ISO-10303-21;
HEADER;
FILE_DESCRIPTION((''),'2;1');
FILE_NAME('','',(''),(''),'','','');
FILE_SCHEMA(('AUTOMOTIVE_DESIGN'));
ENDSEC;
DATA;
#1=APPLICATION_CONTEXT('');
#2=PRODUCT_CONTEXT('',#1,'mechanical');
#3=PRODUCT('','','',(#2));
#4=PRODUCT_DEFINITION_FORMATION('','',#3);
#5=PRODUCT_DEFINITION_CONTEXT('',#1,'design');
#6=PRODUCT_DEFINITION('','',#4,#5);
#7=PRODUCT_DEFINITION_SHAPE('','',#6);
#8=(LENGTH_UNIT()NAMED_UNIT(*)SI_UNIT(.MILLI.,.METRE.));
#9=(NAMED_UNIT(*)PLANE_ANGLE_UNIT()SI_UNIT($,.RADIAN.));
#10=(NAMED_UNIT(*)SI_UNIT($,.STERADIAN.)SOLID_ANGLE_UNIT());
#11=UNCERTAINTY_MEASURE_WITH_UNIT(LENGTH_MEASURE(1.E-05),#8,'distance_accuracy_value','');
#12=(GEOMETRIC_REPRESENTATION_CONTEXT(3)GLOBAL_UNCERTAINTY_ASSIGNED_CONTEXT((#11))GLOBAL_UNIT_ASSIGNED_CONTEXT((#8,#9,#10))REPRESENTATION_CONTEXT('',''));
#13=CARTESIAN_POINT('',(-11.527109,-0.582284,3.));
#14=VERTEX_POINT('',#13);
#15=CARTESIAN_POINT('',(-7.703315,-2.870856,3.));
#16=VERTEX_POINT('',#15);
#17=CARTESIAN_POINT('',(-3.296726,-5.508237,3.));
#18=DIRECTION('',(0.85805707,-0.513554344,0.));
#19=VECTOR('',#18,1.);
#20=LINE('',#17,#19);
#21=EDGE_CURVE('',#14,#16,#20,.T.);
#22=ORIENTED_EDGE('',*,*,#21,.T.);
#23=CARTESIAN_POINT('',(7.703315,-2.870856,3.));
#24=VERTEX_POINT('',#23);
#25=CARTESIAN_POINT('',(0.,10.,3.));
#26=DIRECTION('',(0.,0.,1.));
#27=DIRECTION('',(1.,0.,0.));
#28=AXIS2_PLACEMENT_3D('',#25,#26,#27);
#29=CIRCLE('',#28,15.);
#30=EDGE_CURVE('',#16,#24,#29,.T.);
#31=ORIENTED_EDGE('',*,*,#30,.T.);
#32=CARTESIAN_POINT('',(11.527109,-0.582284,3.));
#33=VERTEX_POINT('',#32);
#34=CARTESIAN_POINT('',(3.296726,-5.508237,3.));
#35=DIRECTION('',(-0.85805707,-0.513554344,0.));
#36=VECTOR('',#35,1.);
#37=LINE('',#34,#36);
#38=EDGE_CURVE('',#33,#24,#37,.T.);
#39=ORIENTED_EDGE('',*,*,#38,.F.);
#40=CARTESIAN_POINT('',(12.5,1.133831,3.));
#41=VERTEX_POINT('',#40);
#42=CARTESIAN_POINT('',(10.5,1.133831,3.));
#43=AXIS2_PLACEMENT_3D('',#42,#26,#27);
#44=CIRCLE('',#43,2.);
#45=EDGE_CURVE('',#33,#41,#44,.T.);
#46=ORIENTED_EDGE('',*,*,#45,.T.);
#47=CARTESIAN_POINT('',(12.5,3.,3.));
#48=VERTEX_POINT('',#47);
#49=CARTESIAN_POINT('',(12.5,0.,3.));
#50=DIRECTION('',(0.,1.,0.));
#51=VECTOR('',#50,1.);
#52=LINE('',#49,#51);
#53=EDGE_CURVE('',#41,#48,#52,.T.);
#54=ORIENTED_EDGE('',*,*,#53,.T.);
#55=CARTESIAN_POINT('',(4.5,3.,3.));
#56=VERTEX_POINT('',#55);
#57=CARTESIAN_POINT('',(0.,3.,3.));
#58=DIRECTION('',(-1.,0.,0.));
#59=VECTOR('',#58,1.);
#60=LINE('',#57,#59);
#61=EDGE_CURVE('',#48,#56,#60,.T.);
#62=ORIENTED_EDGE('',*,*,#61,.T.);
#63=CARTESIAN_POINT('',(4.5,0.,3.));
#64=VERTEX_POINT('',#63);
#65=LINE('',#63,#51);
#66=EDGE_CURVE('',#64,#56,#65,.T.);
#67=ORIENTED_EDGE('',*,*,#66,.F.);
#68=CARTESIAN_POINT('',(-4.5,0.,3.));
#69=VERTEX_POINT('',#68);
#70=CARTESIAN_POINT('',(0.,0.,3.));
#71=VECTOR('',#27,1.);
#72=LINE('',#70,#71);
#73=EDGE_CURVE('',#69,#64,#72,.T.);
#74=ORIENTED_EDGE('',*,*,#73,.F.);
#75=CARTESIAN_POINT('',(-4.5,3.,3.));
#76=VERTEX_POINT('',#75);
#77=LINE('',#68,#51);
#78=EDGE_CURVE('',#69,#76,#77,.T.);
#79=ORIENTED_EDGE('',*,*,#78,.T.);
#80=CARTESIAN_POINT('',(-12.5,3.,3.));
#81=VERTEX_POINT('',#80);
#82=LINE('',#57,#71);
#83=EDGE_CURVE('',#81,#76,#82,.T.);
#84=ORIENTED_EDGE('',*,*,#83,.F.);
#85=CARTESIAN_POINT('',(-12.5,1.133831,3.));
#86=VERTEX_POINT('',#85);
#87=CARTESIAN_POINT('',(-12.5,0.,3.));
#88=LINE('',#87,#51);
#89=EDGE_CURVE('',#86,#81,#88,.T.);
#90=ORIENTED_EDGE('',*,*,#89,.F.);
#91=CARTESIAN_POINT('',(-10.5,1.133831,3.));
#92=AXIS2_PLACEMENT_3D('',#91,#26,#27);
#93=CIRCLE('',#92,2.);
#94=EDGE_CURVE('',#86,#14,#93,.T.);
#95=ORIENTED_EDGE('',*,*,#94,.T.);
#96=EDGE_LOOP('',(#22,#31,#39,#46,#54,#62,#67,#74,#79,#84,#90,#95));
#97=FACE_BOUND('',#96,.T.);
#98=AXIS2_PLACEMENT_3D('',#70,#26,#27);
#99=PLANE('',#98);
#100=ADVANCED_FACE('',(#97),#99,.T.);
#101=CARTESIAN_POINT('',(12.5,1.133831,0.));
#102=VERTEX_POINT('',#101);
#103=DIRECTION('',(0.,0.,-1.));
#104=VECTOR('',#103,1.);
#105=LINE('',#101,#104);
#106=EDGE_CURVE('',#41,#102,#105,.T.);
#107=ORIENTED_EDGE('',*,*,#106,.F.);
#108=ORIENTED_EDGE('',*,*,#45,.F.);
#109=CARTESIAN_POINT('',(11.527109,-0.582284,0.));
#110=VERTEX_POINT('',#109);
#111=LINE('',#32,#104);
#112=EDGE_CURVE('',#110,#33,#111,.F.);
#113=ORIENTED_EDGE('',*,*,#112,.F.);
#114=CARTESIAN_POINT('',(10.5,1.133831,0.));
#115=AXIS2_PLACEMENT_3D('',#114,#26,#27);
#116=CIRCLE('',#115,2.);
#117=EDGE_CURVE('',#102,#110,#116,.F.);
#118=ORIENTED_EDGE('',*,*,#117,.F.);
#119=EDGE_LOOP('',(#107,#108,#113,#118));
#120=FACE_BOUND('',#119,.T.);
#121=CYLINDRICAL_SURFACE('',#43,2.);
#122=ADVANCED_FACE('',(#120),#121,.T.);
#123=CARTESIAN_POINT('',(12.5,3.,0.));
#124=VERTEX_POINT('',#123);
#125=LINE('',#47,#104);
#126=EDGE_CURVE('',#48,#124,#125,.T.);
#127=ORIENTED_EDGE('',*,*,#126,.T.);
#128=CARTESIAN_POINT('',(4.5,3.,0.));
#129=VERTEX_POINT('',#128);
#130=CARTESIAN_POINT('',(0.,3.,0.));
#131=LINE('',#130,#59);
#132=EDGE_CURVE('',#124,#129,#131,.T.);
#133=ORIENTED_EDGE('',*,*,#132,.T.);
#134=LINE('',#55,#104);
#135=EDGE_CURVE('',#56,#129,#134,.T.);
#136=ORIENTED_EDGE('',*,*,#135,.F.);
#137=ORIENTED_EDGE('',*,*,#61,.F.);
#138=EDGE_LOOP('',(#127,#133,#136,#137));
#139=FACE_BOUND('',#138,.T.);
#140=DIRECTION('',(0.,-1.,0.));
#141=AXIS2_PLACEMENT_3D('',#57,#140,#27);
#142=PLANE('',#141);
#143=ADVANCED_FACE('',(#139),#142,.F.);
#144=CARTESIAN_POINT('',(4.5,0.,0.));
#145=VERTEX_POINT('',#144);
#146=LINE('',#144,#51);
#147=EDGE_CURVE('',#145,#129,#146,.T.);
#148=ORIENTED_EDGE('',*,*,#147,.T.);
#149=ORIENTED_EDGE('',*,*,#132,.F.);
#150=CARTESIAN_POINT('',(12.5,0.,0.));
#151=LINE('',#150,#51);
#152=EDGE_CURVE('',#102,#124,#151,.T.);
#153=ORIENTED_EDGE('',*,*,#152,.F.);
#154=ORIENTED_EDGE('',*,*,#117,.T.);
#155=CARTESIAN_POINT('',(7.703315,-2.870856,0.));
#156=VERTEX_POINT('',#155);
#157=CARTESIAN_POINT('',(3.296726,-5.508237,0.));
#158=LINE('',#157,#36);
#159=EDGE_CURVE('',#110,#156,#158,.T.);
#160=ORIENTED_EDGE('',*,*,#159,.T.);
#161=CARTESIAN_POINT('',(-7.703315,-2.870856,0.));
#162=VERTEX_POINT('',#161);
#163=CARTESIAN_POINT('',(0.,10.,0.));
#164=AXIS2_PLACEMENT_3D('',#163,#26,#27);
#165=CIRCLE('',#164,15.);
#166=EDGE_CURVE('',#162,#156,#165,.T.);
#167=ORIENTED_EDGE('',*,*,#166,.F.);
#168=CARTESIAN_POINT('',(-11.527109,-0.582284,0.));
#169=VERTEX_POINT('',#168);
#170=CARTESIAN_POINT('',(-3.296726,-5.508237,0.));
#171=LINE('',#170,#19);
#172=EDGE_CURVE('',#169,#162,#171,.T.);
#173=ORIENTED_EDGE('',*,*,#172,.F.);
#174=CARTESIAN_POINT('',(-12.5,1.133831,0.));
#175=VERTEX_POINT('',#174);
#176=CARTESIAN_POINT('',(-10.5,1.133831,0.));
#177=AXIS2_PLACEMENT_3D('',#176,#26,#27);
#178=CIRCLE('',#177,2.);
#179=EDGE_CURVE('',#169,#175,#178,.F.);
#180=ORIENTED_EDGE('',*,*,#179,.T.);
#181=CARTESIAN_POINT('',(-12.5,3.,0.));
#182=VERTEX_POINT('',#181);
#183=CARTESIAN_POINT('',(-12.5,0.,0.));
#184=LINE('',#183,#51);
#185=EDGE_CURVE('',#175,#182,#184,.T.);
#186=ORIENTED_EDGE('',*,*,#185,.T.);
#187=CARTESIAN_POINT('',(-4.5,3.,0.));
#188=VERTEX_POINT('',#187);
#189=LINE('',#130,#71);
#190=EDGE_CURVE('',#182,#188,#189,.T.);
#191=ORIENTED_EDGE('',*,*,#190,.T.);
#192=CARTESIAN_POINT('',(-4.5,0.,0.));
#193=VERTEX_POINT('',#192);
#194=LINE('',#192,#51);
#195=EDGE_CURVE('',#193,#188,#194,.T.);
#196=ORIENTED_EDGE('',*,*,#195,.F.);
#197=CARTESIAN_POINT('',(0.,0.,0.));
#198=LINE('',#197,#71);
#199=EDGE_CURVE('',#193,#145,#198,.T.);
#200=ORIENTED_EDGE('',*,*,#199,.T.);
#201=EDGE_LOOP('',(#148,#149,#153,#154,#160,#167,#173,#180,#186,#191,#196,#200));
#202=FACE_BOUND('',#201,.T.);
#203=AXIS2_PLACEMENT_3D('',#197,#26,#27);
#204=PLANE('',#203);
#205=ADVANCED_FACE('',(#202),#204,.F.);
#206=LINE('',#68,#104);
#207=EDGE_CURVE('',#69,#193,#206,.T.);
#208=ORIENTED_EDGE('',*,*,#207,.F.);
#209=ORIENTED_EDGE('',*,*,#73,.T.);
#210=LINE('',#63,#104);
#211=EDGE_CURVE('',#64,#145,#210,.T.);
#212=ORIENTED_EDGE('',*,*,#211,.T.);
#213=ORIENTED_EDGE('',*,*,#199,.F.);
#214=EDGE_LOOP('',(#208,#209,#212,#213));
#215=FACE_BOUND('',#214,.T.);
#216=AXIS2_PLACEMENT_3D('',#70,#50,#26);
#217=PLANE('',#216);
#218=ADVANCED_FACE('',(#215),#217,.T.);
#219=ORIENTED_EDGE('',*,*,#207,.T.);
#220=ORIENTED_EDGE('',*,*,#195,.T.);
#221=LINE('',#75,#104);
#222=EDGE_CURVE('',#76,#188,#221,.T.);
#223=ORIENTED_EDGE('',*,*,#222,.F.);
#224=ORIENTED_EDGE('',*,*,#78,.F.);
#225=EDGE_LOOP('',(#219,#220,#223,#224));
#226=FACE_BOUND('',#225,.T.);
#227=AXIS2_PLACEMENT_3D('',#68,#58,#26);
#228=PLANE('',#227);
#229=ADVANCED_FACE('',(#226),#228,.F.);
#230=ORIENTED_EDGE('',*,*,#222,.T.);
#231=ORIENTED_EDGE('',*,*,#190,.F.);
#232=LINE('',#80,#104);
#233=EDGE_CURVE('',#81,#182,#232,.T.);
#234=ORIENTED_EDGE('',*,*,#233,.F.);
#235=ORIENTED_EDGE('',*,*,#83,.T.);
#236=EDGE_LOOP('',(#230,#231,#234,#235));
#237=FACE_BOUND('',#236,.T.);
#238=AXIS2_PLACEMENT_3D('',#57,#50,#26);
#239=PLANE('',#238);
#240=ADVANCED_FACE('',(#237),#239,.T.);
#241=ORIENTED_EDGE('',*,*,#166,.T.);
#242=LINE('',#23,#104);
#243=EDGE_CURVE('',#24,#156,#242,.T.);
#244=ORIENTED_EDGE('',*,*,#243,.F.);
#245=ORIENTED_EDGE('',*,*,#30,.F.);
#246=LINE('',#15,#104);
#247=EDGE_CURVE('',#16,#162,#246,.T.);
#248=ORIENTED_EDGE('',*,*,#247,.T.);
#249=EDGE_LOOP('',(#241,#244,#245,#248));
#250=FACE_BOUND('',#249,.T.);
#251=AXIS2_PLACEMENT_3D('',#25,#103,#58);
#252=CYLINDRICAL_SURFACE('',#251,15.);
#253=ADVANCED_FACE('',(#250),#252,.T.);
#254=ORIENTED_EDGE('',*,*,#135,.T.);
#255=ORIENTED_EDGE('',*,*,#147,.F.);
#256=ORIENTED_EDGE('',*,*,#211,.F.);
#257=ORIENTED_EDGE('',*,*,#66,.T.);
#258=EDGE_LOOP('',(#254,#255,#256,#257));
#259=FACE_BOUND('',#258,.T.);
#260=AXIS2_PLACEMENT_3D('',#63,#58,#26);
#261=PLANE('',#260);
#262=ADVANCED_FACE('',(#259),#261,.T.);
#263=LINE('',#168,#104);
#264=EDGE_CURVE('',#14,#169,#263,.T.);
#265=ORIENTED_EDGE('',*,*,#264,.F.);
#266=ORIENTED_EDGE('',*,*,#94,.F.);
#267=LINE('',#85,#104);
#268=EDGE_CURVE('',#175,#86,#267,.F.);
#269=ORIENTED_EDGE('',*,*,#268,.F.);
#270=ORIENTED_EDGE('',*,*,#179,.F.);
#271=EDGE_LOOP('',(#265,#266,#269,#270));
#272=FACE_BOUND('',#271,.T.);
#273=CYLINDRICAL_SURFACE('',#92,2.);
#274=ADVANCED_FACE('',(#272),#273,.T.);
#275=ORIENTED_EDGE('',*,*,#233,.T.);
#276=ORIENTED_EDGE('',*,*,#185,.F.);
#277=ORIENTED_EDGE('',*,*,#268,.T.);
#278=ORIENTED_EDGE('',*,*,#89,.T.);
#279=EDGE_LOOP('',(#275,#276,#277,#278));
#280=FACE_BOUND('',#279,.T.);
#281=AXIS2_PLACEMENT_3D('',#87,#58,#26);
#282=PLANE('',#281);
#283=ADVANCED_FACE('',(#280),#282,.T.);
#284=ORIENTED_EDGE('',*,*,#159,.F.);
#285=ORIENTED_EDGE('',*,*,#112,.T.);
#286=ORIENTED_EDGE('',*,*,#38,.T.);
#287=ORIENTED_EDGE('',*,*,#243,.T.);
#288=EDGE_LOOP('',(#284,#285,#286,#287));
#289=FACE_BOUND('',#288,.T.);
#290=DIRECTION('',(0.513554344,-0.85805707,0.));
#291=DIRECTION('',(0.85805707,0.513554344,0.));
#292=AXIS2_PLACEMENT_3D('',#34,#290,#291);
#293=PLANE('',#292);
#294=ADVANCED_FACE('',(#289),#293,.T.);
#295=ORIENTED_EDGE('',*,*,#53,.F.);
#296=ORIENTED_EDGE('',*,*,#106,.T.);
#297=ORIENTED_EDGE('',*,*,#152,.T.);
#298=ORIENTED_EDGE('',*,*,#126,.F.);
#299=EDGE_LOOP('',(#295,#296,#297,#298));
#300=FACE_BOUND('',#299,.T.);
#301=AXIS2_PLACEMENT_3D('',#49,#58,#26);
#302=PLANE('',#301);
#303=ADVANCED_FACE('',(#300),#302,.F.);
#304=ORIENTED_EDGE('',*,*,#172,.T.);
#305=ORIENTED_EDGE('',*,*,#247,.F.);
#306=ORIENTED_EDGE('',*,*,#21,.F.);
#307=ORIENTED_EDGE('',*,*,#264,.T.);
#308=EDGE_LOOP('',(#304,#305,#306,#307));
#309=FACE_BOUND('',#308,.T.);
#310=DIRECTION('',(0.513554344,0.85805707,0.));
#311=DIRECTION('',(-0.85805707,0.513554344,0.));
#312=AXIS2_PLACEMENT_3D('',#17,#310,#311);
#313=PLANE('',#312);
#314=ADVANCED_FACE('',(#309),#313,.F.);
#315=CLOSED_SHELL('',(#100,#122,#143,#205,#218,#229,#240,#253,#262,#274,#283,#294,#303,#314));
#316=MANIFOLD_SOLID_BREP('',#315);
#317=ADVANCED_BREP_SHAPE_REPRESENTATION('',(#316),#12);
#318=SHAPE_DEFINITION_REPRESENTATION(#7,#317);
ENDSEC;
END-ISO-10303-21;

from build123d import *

# Parameters (mm, degrees)
CROQUIS1_W              = 8
CROQUIS1_H              = 3
SALIENTE_EXTRUIR1_DEPTH = 3
REDONDEO1_R             = 2


with BuildPart() as part:
    # Croquis1 → Saliente-Extruir1 (new body)
    with BuildSketch(Plane.XY):
        with BuildLine():
            Line((-12.5, 0), (-7.703315155, -2.870856056))
            ThreePointArc((-7.703315155, -2.870856056), (0, -5), (7.703315155, -2.870856056))
            Line((7.703315155, -2.870856056), (12.5, 0))
            Line((12.5, 0), (-12.5, 0))
        make_face()
        with Locations((-8.5, 1.5)):
            Rectangle(CROQUIS1_W, CROQUIS1_H)
        with Locations((8.5, 1.5)):
            Rectangle(CROQUIS1_W, CROQUIS1_H)
    extrude(amount=SALIENTE_EXTRUIR1_DEPTH)

    # Redondeo1
    redondeo1_edges = [part.edges().sort_by_distance(p)[0] for p in [
        (-12.5, 0, 1.5),
        (12.5, 0, 1.5),
    ]]
    fillet(redondeo1_edges, radius=REDONDEO1_R)


solid = part.part
